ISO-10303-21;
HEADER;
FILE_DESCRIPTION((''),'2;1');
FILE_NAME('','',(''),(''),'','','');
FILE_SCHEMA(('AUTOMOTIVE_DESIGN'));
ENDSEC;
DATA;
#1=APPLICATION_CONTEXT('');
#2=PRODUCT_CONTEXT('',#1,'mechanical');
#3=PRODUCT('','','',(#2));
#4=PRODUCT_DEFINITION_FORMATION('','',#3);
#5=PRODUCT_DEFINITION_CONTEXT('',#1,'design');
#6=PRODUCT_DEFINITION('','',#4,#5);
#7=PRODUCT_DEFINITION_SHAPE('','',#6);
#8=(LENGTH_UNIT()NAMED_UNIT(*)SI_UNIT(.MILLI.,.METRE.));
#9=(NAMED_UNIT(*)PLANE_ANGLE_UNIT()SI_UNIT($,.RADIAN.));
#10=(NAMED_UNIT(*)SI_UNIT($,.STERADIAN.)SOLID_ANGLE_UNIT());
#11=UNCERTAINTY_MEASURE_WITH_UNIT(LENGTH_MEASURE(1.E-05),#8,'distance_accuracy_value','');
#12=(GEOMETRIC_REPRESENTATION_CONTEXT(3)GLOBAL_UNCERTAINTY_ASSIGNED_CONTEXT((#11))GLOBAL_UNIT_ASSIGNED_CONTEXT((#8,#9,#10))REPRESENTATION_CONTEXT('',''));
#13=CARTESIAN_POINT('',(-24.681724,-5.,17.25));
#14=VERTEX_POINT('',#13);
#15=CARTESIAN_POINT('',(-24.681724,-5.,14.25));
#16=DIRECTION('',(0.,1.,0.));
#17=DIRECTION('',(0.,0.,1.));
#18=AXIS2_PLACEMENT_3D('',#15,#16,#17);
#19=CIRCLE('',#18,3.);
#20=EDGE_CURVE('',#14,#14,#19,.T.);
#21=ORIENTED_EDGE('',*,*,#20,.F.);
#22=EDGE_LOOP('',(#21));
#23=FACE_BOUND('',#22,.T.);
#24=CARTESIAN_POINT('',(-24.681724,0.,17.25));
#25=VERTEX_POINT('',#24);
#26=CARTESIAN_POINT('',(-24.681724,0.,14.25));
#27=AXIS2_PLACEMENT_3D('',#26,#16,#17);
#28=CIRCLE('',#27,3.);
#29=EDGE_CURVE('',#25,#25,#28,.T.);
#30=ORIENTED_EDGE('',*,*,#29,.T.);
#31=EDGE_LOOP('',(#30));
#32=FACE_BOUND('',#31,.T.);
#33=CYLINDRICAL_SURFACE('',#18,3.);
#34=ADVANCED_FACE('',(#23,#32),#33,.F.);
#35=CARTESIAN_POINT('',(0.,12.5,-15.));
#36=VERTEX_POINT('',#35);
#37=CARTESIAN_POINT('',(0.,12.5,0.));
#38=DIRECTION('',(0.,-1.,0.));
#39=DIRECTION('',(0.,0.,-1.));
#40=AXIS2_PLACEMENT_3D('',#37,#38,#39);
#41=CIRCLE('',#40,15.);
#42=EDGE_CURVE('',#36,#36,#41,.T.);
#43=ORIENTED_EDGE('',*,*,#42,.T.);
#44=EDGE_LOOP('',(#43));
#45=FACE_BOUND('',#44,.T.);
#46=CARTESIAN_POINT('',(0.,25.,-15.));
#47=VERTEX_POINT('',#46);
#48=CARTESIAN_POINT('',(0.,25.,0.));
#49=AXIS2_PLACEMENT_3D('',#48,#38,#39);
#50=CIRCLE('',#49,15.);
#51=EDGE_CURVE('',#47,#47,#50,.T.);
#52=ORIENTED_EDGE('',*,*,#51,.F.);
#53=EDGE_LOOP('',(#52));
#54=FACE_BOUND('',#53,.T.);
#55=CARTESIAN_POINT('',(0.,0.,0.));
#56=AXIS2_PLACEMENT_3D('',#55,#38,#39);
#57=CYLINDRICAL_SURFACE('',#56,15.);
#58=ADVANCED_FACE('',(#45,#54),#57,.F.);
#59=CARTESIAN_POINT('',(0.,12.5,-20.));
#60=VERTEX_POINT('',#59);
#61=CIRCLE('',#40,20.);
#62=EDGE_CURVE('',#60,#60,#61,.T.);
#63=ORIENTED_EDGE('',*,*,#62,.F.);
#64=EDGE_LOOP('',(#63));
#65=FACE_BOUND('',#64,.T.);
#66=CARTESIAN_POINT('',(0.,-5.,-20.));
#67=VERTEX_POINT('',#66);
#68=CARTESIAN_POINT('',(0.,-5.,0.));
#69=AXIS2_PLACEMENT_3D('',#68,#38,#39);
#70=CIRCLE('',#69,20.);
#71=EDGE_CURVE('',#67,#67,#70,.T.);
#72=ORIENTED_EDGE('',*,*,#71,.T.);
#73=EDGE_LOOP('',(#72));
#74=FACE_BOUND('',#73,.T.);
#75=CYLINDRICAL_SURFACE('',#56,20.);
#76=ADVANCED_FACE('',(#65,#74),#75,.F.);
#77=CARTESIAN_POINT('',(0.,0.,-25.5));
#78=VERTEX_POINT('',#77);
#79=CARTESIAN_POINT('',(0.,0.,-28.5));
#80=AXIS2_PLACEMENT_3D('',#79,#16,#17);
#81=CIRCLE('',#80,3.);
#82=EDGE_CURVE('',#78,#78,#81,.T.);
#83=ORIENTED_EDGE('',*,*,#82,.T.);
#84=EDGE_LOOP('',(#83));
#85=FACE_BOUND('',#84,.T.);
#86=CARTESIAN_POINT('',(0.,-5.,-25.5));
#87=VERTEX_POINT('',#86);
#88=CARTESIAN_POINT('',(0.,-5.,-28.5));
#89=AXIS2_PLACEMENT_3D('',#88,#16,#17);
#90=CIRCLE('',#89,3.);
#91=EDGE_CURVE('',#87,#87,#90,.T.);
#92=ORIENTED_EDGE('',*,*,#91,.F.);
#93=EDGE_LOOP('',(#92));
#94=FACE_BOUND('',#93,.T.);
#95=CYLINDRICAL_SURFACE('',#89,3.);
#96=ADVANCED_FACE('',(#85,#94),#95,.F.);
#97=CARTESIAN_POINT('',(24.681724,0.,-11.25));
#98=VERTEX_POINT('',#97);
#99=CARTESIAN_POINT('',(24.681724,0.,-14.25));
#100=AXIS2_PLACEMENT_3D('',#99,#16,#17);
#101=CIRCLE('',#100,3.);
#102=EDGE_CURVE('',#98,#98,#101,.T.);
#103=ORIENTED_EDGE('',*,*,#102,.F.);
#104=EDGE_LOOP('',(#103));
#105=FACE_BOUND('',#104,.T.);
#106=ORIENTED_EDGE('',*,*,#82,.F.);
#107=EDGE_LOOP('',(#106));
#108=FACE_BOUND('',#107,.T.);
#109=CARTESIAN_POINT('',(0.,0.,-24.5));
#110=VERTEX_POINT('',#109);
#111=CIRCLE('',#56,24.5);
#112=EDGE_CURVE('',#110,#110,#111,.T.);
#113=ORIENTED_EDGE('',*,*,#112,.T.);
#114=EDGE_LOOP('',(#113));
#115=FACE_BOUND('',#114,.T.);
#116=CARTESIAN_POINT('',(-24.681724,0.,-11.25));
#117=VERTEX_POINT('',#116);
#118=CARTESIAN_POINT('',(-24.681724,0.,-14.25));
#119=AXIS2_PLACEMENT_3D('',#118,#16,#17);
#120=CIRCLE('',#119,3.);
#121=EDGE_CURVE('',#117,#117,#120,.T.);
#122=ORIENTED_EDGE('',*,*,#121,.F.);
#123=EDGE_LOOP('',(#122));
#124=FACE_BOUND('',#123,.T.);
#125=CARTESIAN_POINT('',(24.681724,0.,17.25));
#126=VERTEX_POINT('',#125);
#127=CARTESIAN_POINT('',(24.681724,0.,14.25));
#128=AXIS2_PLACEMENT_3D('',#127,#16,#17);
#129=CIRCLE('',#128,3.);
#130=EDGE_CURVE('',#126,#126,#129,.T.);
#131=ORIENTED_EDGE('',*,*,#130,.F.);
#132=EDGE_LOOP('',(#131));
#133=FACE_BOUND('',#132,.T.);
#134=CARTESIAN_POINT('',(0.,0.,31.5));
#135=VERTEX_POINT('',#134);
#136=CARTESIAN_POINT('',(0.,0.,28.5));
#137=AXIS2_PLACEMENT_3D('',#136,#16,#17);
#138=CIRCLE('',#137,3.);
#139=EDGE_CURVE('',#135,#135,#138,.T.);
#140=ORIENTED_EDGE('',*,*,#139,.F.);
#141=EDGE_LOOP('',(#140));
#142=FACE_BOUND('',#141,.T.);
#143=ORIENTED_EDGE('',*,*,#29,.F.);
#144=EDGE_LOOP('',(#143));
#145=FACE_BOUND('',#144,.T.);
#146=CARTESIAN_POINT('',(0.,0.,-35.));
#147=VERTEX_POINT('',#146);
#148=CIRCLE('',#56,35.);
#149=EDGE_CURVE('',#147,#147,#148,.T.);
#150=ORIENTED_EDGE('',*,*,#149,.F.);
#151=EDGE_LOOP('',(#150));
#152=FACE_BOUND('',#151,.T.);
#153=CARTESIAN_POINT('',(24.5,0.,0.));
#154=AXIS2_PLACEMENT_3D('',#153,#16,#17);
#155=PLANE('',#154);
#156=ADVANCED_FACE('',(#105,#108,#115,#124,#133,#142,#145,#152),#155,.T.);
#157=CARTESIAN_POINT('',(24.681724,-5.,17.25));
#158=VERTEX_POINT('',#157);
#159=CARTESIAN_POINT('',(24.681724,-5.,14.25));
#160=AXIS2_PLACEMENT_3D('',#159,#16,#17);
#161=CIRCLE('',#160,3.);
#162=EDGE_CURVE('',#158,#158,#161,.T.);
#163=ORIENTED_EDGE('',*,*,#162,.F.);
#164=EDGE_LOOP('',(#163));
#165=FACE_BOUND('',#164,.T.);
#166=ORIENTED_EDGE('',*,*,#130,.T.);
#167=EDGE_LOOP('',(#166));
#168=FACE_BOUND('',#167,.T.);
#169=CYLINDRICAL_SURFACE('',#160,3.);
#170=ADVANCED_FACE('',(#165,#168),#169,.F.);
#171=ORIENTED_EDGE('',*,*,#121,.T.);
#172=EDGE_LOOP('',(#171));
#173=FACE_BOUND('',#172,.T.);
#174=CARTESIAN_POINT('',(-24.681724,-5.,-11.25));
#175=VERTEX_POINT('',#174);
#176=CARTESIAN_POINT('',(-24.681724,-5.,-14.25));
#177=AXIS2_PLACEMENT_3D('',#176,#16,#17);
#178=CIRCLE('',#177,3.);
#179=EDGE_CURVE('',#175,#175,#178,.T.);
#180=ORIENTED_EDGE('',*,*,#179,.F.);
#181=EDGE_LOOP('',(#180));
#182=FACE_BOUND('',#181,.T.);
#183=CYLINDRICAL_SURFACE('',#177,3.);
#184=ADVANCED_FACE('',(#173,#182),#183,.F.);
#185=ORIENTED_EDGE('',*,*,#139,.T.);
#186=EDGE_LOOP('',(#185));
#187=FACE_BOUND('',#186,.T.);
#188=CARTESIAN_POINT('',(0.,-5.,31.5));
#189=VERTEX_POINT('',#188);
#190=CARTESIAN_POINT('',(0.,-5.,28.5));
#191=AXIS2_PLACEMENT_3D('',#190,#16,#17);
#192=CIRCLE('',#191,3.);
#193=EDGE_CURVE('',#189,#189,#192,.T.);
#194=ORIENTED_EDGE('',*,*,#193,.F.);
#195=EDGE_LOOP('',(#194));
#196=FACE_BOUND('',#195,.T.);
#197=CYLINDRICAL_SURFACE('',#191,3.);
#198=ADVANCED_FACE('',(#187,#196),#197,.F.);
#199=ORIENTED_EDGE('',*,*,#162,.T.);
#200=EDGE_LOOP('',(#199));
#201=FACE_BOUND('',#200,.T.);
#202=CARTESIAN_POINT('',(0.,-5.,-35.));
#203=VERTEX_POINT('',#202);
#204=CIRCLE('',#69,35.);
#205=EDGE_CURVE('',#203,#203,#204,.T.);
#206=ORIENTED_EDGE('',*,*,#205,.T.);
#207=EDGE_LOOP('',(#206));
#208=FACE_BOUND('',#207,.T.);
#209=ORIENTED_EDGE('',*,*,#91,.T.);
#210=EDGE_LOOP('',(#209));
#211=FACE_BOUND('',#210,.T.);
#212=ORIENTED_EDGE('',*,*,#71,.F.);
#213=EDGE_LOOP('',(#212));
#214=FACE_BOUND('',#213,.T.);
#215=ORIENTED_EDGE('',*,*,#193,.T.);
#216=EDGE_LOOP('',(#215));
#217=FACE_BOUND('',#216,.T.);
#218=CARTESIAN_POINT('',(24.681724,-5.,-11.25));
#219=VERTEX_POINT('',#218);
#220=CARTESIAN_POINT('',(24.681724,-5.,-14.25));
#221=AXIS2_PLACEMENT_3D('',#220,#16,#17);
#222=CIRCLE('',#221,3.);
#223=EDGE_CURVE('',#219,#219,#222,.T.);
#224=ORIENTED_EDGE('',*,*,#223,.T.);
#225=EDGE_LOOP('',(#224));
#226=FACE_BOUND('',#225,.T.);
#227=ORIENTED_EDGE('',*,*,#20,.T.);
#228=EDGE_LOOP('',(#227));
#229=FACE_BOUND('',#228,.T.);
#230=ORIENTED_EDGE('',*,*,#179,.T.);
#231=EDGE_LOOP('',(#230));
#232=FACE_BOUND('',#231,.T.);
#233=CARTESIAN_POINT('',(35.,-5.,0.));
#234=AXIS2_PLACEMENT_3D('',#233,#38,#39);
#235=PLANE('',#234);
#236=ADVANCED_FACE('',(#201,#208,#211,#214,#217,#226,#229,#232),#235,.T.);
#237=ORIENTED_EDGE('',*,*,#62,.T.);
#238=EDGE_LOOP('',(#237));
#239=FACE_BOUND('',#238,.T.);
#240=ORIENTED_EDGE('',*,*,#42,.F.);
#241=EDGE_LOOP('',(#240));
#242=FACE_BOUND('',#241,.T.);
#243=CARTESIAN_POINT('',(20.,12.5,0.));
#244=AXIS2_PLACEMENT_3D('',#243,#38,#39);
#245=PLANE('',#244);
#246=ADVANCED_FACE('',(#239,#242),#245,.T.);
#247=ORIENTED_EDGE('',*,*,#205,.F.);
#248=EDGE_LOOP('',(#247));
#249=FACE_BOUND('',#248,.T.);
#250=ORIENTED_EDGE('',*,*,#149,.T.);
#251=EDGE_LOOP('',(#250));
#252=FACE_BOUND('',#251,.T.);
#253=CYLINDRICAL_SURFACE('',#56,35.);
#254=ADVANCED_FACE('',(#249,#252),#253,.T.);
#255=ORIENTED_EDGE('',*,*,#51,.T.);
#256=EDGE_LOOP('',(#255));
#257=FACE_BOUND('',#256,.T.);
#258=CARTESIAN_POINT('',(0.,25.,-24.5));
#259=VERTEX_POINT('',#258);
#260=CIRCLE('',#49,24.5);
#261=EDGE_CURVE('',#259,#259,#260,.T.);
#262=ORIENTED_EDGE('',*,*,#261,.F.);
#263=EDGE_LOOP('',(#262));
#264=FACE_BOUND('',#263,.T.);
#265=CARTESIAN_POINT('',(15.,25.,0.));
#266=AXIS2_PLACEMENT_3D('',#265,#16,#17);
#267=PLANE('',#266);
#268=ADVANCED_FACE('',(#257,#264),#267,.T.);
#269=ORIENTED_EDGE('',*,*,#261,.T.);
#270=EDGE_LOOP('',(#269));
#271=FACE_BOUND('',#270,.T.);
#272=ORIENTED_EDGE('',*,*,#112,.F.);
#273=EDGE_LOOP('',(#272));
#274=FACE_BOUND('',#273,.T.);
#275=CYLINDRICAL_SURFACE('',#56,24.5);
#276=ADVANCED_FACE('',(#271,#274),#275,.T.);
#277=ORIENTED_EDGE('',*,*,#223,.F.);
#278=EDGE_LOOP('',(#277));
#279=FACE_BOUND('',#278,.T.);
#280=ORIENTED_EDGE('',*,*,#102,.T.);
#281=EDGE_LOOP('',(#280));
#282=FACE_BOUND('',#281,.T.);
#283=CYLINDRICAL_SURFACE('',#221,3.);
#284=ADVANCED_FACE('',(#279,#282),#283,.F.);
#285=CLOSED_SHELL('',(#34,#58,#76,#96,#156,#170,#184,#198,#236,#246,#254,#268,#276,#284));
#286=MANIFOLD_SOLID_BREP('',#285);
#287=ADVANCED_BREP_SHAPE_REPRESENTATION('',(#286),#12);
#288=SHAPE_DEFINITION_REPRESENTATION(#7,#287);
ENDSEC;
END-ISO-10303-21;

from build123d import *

# Parameters (mm, degrees)
SKETCH2_R          = 3
CUT_EXTRUDE3_DEPTH = 58.879184514


with BuildPart() as part:
    # Sketch1 → Revolve1 (revolve)
    with BuildSketch(Plane.XY, mode=Mode.PRIVATE) as revolve1_sk:
        Polygon((24.5, 0), (35, 0), (35, -5), (20, -5), (20, 12.5), (15, 12.5), (15, 25), (24.5, 25), align=None)
    revolve(revolve1_sk.sketch.rotate(Axis((0, 0, 0), (0, 1, 0)), 90), axis=Axis((0, 0, 0), (0, 1, 0)))

    # Sketch2 → Cut-Extrude3 (cut, through all)
    with BuildSketch(Plane(origin=(0, 25, 0), x_dir=(1, 0, 0), z_dir=(0, 1, 0))):
        with Locations(Location((0, 28.5, 0), (0, 0, 270))):
            Circle(SKETCH2_R)
        with Locations(Location((24.681724008, 14.25, 0), (0, 0, 270))):
            Circle(SKETCH2_R)
        with Locations(Location((24.681724008, -14.25, 0), (0, 0, 270))):
            Circle(SKETCH2_R)
        with Locations(Location((0, -28.5, 0), (0, 0, 270))):
            Circle(SKETCH2_R)
        with Locations(Location((-24.681724008, -14.25, 0), (0, 0, 270))):
            Circle(SKETCH2_R)
        with Locations(Location((-24.681724008, 14.25, 0), (0, 0, 270))):
            Circle(SKETCH2_R)
    extrude(amount=-CUT_EXTRUDE3_DEPTH, mode=Mode.SUBTRACT)


solid = part.part
